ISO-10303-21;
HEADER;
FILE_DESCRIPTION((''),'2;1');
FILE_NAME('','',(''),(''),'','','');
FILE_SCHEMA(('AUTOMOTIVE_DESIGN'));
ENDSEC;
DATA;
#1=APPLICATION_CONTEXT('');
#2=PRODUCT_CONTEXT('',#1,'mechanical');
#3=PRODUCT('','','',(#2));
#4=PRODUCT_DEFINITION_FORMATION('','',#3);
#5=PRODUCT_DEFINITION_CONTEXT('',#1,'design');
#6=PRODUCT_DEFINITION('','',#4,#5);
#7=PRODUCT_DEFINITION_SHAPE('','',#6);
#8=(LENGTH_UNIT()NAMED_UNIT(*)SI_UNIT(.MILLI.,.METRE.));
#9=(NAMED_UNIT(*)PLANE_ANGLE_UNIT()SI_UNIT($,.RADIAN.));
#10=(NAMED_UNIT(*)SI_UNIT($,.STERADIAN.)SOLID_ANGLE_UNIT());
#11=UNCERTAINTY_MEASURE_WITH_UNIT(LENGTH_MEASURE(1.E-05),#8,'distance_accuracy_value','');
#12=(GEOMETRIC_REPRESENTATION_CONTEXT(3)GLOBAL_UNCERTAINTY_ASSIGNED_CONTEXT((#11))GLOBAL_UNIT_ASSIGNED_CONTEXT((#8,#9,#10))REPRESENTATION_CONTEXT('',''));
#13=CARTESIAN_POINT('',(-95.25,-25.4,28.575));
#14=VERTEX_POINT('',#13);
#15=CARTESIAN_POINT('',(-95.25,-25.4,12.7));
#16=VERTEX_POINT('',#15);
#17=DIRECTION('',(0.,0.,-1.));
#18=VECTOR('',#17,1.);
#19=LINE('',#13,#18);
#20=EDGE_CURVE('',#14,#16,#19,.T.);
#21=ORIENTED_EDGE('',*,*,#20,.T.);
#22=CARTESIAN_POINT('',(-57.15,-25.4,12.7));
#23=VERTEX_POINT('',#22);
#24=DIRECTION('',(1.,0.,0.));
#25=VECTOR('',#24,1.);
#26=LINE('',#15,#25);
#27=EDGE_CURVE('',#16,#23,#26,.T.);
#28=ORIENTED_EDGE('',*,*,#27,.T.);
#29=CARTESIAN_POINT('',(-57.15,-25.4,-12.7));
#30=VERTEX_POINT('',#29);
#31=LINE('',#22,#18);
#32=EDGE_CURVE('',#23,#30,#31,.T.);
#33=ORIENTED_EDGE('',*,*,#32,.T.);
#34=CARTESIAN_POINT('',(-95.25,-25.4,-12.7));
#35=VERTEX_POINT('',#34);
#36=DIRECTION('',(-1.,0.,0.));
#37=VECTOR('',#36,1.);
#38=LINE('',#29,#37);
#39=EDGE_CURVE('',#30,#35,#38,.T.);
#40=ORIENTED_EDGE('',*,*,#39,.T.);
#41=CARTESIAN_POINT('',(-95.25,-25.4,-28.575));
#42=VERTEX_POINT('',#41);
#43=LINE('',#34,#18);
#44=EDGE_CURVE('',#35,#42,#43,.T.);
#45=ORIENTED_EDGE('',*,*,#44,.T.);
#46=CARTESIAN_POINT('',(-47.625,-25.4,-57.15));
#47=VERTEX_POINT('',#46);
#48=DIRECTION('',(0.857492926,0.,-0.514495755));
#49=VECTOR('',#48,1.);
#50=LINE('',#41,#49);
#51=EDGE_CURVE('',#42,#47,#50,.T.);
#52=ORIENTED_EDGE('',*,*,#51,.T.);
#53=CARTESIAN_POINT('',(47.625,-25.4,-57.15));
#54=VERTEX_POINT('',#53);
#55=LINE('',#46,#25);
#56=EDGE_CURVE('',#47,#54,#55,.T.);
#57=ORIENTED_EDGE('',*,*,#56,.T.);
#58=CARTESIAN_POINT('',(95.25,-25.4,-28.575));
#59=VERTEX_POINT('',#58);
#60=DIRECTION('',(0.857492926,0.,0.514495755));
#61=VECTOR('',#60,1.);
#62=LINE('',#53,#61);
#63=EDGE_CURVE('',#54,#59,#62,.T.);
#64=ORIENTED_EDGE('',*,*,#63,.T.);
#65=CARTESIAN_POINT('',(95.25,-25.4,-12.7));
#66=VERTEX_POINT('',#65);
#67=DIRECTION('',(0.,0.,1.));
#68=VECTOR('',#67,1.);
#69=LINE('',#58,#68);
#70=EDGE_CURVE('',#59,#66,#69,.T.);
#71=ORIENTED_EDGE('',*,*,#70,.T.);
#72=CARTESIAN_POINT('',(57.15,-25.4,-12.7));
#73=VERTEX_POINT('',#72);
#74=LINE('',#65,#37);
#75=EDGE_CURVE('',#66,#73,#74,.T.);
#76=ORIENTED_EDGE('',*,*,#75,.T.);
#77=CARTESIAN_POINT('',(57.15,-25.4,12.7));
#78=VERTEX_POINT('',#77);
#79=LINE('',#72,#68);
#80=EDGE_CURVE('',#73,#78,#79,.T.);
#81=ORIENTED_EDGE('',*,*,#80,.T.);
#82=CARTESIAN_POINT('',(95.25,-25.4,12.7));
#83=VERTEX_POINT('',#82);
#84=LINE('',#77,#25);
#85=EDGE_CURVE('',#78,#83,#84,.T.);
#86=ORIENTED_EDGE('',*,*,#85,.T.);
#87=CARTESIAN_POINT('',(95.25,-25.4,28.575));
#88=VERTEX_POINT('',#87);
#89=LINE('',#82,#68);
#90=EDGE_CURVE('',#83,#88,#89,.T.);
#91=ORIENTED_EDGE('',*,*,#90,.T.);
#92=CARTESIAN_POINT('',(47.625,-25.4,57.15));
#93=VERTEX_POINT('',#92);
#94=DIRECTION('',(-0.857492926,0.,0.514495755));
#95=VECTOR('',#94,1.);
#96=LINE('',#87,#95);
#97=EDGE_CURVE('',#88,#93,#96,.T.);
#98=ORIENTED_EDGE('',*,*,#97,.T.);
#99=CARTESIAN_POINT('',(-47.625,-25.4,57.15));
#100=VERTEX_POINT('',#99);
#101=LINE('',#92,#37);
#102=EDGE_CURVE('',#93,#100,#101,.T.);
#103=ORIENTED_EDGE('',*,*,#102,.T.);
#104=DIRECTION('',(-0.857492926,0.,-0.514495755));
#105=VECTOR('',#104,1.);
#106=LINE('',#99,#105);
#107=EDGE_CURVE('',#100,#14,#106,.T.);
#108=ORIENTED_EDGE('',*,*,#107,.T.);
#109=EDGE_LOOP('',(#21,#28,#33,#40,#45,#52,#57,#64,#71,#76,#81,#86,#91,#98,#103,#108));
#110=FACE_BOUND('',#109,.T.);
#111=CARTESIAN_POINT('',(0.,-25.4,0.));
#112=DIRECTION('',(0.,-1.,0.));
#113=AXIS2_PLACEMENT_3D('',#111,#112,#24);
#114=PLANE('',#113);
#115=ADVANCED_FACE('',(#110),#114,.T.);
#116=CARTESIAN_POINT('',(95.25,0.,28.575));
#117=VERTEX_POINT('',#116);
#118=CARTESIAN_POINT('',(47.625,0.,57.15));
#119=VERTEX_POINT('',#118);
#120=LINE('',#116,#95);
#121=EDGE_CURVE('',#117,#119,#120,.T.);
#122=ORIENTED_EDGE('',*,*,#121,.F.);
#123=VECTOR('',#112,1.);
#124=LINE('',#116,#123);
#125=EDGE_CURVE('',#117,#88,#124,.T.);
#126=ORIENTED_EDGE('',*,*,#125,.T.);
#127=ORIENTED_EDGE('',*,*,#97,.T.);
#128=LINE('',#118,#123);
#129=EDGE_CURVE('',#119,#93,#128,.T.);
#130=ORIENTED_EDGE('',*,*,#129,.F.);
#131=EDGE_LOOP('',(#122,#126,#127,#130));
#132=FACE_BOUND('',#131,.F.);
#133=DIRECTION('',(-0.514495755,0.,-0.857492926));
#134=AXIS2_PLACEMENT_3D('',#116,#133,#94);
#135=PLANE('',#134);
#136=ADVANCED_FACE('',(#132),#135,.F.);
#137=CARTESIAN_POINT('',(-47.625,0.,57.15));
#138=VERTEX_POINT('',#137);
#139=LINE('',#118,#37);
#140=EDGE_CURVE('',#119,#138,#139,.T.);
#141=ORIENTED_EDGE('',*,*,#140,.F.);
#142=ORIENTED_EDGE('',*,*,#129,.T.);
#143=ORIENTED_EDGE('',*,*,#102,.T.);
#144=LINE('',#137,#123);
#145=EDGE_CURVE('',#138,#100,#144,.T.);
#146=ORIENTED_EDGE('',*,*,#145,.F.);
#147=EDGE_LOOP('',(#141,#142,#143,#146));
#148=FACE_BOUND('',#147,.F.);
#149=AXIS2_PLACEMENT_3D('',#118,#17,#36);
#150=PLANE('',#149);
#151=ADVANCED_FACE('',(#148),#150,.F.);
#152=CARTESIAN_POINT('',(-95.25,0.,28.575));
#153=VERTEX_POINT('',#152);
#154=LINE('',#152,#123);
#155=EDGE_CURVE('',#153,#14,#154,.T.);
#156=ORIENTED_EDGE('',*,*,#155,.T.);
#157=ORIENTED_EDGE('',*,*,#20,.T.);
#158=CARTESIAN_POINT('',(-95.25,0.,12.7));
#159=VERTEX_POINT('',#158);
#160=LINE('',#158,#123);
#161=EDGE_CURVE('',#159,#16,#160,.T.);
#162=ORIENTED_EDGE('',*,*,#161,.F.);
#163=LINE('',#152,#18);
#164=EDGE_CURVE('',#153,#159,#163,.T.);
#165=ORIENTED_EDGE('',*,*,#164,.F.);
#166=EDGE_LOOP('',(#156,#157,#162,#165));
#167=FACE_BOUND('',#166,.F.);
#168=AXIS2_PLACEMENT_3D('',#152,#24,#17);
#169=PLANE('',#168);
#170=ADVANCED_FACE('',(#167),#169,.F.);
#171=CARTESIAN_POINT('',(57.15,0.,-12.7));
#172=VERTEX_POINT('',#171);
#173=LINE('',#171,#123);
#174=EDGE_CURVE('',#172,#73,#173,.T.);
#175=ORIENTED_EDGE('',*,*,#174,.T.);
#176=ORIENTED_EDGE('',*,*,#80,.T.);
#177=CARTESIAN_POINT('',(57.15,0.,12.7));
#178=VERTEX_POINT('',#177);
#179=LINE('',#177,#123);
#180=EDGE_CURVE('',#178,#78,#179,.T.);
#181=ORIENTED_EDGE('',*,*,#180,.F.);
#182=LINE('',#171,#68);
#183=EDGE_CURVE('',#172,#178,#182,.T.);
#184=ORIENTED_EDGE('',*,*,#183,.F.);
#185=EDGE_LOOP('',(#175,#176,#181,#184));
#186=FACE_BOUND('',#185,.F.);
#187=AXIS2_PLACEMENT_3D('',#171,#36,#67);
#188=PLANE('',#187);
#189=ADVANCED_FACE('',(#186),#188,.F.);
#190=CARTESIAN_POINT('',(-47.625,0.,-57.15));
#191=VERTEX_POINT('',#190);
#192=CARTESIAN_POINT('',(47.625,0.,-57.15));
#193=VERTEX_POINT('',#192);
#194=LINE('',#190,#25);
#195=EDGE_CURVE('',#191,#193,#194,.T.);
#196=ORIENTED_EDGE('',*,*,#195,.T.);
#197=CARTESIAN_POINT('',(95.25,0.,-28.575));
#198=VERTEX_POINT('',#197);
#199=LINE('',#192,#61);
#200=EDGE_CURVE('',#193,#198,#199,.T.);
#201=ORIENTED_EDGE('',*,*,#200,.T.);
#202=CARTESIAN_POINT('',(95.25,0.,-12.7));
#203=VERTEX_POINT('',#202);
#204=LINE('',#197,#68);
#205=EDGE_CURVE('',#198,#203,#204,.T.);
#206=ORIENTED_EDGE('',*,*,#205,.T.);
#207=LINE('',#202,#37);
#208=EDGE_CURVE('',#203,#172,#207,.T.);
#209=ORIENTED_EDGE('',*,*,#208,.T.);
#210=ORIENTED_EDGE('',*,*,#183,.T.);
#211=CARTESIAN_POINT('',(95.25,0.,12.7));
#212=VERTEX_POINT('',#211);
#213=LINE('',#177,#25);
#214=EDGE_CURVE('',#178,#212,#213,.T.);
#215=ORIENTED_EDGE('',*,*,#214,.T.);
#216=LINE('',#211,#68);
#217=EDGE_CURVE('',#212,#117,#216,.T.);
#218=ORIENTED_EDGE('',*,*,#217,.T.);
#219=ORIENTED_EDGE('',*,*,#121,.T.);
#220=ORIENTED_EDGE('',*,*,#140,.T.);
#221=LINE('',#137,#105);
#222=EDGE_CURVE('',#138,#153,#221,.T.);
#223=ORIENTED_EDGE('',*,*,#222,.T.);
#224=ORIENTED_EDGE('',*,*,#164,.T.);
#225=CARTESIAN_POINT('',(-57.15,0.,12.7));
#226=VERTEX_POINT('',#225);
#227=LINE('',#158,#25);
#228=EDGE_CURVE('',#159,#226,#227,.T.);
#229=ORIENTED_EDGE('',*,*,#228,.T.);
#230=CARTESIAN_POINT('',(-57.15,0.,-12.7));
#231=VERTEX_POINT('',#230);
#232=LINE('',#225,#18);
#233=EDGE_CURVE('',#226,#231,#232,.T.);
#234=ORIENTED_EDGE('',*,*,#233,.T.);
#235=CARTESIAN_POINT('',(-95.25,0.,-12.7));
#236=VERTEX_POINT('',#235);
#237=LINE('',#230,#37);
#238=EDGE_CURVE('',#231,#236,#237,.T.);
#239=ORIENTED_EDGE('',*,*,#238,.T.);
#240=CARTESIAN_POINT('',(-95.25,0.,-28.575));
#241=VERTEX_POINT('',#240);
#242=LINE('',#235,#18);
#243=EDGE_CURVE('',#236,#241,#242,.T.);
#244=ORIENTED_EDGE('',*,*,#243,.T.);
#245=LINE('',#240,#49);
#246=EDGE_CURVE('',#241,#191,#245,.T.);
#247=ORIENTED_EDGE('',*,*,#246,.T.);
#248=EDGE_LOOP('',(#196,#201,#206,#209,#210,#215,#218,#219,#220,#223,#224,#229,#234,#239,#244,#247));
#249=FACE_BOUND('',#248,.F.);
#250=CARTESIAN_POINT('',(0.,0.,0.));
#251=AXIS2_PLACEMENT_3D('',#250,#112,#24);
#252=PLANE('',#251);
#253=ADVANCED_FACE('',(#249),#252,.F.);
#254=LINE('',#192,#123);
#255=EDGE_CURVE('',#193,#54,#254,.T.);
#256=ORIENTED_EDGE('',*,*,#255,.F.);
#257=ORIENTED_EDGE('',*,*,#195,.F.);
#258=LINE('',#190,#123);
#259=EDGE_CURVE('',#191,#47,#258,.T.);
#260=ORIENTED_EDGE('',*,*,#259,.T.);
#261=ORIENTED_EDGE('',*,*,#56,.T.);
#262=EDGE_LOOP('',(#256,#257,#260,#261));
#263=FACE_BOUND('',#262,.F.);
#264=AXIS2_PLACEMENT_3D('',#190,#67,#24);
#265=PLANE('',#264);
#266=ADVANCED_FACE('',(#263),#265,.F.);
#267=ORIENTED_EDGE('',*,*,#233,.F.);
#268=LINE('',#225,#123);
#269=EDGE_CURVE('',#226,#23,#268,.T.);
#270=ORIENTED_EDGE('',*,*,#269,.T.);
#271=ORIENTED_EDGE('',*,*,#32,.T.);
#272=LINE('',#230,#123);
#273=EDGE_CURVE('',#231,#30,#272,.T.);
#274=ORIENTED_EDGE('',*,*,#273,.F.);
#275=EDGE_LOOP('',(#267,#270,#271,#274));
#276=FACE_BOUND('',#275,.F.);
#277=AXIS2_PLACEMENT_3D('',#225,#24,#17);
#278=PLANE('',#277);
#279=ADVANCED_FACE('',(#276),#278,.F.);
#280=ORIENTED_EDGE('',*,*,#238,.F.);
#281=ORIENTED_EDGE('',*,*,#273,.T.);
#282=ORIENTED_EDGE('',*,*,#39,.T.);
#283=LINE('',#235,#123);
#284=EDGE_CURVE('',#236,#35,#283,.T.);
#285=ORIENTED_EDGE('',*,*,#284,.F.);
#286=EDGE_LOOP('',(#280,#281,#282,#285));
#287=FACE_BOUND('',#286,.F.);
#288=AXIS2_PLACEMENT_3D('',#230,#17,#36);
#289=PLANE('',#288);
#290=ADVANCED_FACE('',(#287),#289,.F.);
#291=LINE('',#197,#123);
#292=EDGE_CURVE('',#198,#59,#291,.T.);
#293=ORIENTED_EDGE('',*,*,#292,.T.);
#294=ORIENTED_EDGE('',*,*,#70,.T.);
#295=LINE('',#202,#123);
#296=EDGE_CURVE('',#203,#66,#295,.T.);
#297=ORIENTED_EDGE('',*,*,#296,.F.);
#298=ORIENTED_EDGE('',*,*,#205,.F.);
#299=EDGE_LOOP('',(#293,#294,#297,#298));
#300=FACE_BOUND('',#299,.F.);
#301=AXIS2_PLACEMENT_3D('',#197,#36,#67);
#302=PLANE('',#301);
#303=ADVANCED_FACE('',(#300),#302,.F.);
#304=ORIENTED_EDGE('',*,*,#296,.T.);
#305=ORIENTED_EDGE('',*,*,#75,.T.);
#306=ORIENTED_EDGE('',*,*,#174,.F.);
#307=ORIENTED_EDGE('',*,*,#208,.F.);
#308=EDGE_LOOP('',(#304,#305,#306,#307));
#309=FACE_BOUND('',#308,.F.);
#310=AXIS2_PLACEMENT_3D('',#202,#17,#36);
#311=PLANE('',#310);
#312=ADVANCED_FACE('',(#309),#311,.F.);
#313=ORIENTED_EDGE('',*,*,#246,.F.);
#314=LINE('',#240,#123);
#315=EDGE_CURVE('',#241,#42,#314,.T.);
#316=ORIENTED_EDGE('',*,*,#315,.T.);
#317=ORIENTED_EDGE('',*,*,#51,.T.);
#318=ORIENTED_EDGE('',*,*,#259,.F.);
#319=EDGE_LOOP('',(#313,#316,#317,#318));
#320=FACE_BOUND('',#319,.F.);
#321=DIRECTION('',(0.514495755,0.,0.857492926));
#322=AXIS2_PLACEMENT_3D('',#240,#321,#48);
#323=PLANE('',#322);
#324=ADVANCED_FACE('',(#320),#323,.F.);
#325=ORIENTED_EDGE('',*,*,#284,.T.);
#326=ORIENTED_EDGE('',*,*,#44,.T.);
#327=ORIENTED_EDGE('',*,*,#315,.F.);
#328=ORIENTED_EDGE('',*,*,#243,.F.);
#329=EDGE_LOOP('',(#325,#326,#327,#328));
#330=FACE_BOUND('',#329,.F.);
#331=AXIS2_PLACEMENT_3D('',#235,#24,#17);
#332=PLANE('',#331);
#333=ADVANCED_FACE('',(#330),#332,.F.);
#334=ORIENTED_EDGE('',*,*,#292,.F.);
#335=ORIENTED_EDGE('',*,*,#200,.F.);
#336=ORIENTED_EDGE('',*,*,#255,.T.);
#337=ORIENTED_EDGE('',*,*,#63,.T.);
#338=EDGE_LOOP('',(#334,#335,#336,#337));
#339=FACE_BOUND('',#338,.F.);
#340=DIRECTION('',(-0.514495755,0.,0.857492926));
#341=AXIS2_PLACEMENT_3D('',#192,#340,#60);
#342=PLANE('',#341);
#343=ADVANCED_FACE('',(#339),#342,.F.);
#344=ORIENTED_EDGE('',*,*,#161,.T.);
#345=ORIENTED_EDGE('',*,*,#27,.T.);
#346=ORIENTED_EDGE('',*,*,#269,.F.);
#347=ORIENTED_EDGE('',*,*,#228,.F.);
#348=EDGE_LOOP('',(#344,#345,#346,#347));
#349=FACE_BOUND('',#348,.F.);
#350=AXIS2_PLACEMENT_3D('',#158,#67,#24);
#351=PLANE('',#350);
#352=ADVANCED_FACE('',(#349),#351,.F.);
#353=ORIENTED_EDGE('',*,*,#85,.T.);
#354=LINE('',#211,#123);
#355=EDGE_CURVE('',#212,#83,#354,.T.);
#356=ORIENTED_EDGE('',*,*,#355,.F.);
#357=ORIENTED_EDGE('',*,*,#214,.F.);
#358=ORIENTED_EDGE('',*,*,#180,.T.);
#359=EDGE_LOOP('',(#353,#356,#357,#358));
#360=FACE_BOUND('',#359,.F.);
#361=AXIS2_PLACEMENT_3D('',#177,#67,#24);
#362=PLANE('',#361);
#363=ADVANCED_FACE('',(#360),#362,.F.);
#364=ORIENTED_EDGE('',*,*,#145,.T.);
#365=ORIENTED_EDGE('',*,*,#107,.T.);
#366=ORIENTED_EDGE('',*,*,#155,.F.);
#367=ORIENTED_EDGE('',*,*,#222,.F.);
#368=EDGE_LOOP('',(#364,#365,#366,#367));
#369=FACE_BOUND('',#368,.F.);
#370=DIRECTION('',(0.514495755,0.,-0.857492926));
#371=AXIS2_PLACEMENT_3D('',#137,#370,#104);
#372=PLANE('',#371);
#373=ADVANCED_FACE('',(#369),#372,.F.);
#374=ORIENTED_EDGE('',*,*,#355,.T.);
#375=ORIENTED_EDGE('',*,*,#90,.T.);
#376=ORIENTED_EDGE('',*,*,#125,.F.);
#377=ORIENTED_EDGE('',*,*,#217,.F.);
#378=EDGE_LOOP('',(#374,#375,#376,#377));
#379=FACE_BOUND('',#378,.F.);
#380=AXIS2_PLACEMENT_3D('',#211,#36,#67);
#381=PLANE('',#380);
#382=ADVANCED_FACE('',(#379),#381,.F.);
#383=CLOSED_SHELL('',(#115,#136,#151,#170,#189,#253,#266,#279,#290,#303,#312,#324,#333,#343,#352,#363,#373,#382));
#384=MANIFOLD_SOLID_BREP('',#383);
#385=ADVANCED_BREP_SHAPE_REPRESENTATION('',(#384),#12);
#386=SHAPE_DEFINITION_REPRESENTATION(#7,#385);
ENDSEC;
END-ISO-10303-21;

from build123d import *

# Parameters (mm, degrees)
F2_DEPTH = 25.4
F3_DEPTH = 25.4


with BuildPart() as f2:
    # F0 (on Front) → F2 (new body)
    with BuildSketch(Plane.XZ):
        Polygon((47.625, 57.15), (0, 57.15), (-47.625, 57.15), (-95.25, 28.575), (-95.25, 12.7), (-57.15, 12.7), (-57.15, -12.7), (-95.25, -12.7), (-95.25, -28.575), (-47.625, -57.15), (47.625, -57.15), (95.25, -28.575), (95.25, -12.7), (57.15, -12.7), (57.15, 12.7), (95.25, 12.7), (95.25, 28.575), align=None)
    extrude(amount=F2_DEPTH)

    # F0 (on Front) → F3 (cut)
    with BuildSketch(Plane.XZ):
        Polygon((47.625, 57.15), (0, 57.15), (-47.625, 57.15), (-95.25, 28.575), (-95.25, 12.7), (-57.15, 12.7), (-57.15, -12.7), (-95.25, -12.7), (-95.25, -28.575), (-47.625, -57.15), (47.625, -57.15), (95.25, -28.575), (95.25, -12.7), (57.15, -12.7), (57.15, 12.7), (95.25, 12.7), (95.25, 28.575), align=None)
    extrude(amount=-F3_DEPTH, mode=Mode.SUBTRACT)


solid = f2.part
